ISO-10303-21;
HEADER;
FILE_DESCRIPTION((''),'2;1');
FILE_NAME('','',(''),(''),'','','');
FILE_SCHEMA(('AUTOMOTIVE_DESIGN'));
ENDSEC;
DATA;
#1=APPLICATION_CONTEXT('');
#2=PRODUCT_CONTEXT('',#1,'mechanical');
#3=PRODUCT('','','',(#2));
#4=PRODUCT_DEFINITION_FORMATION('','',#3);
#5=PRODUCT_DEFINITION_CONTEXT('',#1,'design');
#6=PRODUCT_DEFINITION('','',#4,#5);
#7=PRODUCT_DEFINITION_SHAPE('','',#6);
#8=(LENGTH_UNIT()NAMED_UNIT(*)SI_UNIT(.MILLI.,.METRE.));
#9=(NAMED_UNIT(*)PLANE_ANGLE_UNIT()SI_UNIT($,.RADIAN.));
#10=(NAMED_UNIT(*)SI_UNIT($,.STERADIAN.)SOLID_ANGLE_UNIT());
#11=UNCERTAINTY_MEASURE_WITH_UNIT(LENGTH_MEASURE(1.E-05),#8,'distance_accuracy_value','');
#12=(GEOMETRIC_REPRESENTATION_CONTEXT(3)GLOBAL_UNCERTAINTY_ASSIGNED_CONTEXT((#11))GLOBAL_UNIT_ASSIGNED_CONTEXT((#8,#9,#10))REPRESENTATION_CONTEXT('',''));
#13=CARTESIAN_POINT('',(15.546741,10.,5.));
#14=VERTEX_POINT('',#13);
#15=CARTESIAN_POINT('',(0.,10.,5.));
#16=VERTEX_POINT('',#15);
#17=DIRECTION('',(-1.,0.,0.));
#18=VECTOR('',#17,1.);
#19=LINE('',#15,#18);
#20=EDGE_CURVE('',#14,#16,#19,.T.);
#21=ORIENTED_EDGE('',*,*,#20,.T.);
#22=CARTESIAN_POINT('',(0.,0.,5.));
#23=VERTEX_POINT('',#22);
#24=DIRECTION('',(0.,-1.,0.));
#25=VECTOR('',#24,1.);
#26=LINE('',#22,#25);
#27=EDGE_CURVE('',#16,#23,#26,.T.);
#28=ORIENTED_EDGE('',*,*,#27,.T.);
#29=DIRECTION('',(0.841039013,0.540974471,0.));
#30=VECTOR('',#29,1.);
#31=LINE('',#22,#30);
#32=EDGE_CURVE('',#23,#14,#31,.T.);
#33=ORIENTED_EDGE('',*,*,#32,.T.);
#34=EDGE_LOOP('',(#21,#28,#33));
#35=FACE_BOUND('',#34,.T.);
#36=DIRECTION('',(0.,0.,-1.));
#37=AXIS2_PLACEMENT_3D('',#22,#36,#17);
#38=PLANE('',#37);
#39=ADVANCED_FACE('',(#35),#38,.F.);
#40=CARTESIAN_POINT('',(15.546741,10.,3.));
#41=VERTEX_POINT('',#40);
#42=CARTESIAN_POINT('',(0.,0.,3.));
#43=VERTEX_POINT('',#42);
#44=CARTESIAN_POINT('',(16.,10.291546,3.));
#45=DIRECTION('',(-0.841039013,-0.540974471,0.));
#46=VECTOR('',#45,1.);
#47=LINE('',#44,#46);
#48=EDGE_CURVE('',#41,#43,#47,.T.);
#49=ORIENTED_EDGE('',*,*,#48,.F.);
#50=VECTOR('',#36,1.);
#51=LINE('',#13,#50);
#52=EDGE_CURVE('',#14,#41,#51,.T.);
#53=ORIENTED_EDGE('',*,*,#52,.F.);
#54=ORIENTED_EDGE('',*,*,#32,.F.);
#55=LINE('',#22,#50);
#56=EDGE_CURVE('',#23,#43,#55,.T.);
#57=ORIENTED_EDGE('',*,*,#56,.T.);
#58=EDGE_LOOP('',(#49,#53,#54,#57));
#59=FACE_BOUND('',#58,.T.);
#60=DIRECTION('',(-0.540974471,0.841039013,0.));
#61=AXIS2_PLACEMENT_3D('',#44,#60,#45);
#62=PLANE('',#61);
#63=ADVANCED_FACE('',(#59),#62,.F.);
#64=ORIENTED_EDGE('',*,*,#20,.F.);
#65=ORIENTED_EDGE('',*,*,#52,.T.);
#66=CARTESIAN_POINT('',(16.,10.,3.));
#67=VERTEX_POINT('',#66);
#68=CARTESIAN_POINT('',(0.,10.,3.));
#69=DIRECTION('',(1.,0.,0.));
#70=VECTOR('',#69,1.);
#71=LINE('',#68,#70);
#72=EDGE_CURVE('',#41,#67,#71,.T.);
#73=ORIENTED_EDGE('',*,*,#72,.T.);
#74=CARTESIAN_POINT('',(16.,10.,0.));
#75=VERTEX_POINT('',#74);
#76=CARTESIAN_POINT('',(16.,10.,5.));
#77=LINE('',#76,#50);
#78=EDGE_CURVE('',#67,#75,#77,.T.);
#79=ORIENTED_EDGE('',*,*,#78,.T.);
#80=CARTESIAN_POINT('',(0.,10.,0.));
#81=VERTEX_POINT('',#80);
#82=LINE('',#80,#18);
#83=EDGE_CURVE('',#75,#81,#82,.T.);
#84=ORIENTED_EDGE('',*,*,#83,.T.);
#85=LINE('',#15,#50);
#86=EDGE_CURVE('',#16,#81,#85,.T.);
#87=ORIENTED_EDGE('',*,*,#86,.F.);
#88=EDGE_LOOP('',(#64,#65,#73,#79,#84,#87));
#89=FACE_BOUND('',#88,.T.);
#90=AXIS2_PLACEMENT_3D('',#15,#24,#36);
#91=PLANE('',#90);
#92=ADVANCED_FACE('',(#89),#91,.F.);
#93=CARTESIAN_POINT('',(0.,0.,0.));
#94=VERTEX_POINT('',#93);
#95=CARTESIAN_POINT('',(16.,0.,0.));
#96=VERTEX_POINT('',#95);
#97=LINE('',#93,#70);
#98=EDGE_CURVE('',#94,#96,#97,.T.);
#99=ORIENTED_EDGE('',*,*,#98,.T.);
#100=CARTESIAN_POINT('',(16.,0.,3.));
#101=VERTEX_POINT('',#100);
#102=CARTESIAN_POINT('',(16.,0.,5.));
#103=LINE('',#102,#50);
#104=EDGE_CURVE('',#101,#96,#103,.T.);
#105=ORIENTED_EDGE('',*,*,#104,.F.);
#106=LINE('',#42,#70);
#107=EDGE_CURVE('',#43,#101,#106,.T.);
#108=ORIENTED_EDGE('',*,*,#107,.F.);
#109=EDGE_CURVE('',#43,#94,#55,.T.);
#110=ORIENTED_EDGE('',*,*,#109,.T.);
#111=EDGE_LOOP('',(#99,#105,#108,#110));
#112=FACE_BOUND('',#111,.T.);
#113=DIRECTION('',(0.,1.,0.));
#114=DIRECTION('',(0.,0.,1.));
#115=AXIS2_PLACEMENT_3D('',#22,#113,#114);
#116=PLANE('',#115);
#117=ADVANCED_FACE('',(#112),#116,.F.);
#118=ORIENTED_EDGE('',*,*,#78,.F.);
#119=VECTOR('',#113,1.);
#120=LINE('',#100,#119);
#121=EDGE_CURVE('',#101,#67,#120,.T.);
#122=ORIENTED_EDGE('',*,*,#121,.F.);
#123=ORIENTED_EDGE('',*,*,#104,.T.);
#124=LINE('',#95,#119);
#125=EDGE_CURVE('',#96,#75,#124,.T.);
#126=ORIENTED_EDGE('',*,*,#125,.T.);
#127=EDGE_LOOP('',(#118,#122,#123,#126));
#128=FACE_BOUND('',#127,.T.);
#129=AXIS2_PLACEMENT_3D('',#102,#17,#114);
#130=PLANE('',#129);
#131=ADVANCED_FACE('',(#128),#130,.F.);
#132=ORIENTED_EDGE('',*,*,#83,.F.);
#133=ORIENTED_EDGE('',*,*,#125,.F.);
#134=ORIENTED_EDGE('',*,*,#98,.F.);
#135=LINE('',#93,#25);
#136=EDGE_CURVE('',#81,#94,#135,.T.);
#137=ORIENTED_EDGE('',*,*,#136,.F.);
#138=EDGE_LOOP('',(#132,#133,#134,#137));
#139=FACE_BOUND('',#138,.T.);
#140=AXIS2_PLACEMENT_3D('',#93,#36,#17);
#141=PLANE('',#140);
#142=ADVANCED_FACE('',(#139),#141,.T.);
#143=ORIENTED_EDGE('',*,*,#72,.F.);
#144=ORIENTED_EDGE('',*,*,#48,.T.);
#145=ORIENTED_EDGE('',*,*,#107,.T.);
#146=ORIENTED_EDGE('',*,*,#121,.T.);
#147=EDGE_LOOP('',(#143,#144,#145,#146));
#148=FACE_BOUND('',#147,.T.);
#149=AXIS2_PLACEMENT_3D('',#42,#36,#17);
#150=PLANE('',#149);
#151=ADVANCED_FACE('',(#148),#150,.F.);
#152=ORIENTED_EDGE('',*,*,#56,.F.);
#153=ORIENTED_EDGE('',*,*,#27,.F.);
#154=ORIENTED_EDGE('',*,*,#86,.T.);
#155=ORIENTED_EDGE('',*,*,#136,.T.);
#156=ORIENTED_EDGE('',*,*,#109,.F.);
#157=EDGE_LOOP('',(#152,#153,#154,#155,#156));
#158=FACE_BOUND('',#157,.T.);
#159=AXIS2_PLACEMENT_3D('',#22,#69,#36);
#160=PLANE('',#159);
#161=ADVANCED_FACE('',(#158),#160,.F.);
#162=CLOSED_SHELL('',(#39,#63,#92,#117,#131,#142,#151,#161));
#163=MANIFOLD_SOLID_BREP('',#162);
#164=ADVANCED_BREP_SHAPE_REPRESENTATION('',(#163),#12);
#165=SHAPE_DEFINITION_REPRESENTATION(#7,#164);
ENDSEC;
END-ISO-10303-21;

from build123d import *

# Parameters (mm, degrees)
SKETCH_1_W          = 16
SKETCH_1_H          = 10
EXTRUDE_1_DEPTH     = 5
CUT_EXTRUDE_1_DEPTH = 2


with BuildPart() as part:
    # 草图1 → 凸台-拉伸1 (new body)
    with BuildSketch(Plane.XY):
        with Locations((8, 5)):
            Rectangle(SKETCH_1_W, SKETCH_1_H)
    extrude(amount=EXTRUDE_1_DEPTH)

    # 草图2 → 切除-拉伸1 (cut)
    with BuildSketch(Plane.XY.offset(5)):
        Polygon((0, 0), (16, 0), (16, 10.291545824), align=None)
    extrude(amount=-CUT_EXTRUDE_1_DEPTH, mode=Mode.SUBTRACT)


solid = part.part
